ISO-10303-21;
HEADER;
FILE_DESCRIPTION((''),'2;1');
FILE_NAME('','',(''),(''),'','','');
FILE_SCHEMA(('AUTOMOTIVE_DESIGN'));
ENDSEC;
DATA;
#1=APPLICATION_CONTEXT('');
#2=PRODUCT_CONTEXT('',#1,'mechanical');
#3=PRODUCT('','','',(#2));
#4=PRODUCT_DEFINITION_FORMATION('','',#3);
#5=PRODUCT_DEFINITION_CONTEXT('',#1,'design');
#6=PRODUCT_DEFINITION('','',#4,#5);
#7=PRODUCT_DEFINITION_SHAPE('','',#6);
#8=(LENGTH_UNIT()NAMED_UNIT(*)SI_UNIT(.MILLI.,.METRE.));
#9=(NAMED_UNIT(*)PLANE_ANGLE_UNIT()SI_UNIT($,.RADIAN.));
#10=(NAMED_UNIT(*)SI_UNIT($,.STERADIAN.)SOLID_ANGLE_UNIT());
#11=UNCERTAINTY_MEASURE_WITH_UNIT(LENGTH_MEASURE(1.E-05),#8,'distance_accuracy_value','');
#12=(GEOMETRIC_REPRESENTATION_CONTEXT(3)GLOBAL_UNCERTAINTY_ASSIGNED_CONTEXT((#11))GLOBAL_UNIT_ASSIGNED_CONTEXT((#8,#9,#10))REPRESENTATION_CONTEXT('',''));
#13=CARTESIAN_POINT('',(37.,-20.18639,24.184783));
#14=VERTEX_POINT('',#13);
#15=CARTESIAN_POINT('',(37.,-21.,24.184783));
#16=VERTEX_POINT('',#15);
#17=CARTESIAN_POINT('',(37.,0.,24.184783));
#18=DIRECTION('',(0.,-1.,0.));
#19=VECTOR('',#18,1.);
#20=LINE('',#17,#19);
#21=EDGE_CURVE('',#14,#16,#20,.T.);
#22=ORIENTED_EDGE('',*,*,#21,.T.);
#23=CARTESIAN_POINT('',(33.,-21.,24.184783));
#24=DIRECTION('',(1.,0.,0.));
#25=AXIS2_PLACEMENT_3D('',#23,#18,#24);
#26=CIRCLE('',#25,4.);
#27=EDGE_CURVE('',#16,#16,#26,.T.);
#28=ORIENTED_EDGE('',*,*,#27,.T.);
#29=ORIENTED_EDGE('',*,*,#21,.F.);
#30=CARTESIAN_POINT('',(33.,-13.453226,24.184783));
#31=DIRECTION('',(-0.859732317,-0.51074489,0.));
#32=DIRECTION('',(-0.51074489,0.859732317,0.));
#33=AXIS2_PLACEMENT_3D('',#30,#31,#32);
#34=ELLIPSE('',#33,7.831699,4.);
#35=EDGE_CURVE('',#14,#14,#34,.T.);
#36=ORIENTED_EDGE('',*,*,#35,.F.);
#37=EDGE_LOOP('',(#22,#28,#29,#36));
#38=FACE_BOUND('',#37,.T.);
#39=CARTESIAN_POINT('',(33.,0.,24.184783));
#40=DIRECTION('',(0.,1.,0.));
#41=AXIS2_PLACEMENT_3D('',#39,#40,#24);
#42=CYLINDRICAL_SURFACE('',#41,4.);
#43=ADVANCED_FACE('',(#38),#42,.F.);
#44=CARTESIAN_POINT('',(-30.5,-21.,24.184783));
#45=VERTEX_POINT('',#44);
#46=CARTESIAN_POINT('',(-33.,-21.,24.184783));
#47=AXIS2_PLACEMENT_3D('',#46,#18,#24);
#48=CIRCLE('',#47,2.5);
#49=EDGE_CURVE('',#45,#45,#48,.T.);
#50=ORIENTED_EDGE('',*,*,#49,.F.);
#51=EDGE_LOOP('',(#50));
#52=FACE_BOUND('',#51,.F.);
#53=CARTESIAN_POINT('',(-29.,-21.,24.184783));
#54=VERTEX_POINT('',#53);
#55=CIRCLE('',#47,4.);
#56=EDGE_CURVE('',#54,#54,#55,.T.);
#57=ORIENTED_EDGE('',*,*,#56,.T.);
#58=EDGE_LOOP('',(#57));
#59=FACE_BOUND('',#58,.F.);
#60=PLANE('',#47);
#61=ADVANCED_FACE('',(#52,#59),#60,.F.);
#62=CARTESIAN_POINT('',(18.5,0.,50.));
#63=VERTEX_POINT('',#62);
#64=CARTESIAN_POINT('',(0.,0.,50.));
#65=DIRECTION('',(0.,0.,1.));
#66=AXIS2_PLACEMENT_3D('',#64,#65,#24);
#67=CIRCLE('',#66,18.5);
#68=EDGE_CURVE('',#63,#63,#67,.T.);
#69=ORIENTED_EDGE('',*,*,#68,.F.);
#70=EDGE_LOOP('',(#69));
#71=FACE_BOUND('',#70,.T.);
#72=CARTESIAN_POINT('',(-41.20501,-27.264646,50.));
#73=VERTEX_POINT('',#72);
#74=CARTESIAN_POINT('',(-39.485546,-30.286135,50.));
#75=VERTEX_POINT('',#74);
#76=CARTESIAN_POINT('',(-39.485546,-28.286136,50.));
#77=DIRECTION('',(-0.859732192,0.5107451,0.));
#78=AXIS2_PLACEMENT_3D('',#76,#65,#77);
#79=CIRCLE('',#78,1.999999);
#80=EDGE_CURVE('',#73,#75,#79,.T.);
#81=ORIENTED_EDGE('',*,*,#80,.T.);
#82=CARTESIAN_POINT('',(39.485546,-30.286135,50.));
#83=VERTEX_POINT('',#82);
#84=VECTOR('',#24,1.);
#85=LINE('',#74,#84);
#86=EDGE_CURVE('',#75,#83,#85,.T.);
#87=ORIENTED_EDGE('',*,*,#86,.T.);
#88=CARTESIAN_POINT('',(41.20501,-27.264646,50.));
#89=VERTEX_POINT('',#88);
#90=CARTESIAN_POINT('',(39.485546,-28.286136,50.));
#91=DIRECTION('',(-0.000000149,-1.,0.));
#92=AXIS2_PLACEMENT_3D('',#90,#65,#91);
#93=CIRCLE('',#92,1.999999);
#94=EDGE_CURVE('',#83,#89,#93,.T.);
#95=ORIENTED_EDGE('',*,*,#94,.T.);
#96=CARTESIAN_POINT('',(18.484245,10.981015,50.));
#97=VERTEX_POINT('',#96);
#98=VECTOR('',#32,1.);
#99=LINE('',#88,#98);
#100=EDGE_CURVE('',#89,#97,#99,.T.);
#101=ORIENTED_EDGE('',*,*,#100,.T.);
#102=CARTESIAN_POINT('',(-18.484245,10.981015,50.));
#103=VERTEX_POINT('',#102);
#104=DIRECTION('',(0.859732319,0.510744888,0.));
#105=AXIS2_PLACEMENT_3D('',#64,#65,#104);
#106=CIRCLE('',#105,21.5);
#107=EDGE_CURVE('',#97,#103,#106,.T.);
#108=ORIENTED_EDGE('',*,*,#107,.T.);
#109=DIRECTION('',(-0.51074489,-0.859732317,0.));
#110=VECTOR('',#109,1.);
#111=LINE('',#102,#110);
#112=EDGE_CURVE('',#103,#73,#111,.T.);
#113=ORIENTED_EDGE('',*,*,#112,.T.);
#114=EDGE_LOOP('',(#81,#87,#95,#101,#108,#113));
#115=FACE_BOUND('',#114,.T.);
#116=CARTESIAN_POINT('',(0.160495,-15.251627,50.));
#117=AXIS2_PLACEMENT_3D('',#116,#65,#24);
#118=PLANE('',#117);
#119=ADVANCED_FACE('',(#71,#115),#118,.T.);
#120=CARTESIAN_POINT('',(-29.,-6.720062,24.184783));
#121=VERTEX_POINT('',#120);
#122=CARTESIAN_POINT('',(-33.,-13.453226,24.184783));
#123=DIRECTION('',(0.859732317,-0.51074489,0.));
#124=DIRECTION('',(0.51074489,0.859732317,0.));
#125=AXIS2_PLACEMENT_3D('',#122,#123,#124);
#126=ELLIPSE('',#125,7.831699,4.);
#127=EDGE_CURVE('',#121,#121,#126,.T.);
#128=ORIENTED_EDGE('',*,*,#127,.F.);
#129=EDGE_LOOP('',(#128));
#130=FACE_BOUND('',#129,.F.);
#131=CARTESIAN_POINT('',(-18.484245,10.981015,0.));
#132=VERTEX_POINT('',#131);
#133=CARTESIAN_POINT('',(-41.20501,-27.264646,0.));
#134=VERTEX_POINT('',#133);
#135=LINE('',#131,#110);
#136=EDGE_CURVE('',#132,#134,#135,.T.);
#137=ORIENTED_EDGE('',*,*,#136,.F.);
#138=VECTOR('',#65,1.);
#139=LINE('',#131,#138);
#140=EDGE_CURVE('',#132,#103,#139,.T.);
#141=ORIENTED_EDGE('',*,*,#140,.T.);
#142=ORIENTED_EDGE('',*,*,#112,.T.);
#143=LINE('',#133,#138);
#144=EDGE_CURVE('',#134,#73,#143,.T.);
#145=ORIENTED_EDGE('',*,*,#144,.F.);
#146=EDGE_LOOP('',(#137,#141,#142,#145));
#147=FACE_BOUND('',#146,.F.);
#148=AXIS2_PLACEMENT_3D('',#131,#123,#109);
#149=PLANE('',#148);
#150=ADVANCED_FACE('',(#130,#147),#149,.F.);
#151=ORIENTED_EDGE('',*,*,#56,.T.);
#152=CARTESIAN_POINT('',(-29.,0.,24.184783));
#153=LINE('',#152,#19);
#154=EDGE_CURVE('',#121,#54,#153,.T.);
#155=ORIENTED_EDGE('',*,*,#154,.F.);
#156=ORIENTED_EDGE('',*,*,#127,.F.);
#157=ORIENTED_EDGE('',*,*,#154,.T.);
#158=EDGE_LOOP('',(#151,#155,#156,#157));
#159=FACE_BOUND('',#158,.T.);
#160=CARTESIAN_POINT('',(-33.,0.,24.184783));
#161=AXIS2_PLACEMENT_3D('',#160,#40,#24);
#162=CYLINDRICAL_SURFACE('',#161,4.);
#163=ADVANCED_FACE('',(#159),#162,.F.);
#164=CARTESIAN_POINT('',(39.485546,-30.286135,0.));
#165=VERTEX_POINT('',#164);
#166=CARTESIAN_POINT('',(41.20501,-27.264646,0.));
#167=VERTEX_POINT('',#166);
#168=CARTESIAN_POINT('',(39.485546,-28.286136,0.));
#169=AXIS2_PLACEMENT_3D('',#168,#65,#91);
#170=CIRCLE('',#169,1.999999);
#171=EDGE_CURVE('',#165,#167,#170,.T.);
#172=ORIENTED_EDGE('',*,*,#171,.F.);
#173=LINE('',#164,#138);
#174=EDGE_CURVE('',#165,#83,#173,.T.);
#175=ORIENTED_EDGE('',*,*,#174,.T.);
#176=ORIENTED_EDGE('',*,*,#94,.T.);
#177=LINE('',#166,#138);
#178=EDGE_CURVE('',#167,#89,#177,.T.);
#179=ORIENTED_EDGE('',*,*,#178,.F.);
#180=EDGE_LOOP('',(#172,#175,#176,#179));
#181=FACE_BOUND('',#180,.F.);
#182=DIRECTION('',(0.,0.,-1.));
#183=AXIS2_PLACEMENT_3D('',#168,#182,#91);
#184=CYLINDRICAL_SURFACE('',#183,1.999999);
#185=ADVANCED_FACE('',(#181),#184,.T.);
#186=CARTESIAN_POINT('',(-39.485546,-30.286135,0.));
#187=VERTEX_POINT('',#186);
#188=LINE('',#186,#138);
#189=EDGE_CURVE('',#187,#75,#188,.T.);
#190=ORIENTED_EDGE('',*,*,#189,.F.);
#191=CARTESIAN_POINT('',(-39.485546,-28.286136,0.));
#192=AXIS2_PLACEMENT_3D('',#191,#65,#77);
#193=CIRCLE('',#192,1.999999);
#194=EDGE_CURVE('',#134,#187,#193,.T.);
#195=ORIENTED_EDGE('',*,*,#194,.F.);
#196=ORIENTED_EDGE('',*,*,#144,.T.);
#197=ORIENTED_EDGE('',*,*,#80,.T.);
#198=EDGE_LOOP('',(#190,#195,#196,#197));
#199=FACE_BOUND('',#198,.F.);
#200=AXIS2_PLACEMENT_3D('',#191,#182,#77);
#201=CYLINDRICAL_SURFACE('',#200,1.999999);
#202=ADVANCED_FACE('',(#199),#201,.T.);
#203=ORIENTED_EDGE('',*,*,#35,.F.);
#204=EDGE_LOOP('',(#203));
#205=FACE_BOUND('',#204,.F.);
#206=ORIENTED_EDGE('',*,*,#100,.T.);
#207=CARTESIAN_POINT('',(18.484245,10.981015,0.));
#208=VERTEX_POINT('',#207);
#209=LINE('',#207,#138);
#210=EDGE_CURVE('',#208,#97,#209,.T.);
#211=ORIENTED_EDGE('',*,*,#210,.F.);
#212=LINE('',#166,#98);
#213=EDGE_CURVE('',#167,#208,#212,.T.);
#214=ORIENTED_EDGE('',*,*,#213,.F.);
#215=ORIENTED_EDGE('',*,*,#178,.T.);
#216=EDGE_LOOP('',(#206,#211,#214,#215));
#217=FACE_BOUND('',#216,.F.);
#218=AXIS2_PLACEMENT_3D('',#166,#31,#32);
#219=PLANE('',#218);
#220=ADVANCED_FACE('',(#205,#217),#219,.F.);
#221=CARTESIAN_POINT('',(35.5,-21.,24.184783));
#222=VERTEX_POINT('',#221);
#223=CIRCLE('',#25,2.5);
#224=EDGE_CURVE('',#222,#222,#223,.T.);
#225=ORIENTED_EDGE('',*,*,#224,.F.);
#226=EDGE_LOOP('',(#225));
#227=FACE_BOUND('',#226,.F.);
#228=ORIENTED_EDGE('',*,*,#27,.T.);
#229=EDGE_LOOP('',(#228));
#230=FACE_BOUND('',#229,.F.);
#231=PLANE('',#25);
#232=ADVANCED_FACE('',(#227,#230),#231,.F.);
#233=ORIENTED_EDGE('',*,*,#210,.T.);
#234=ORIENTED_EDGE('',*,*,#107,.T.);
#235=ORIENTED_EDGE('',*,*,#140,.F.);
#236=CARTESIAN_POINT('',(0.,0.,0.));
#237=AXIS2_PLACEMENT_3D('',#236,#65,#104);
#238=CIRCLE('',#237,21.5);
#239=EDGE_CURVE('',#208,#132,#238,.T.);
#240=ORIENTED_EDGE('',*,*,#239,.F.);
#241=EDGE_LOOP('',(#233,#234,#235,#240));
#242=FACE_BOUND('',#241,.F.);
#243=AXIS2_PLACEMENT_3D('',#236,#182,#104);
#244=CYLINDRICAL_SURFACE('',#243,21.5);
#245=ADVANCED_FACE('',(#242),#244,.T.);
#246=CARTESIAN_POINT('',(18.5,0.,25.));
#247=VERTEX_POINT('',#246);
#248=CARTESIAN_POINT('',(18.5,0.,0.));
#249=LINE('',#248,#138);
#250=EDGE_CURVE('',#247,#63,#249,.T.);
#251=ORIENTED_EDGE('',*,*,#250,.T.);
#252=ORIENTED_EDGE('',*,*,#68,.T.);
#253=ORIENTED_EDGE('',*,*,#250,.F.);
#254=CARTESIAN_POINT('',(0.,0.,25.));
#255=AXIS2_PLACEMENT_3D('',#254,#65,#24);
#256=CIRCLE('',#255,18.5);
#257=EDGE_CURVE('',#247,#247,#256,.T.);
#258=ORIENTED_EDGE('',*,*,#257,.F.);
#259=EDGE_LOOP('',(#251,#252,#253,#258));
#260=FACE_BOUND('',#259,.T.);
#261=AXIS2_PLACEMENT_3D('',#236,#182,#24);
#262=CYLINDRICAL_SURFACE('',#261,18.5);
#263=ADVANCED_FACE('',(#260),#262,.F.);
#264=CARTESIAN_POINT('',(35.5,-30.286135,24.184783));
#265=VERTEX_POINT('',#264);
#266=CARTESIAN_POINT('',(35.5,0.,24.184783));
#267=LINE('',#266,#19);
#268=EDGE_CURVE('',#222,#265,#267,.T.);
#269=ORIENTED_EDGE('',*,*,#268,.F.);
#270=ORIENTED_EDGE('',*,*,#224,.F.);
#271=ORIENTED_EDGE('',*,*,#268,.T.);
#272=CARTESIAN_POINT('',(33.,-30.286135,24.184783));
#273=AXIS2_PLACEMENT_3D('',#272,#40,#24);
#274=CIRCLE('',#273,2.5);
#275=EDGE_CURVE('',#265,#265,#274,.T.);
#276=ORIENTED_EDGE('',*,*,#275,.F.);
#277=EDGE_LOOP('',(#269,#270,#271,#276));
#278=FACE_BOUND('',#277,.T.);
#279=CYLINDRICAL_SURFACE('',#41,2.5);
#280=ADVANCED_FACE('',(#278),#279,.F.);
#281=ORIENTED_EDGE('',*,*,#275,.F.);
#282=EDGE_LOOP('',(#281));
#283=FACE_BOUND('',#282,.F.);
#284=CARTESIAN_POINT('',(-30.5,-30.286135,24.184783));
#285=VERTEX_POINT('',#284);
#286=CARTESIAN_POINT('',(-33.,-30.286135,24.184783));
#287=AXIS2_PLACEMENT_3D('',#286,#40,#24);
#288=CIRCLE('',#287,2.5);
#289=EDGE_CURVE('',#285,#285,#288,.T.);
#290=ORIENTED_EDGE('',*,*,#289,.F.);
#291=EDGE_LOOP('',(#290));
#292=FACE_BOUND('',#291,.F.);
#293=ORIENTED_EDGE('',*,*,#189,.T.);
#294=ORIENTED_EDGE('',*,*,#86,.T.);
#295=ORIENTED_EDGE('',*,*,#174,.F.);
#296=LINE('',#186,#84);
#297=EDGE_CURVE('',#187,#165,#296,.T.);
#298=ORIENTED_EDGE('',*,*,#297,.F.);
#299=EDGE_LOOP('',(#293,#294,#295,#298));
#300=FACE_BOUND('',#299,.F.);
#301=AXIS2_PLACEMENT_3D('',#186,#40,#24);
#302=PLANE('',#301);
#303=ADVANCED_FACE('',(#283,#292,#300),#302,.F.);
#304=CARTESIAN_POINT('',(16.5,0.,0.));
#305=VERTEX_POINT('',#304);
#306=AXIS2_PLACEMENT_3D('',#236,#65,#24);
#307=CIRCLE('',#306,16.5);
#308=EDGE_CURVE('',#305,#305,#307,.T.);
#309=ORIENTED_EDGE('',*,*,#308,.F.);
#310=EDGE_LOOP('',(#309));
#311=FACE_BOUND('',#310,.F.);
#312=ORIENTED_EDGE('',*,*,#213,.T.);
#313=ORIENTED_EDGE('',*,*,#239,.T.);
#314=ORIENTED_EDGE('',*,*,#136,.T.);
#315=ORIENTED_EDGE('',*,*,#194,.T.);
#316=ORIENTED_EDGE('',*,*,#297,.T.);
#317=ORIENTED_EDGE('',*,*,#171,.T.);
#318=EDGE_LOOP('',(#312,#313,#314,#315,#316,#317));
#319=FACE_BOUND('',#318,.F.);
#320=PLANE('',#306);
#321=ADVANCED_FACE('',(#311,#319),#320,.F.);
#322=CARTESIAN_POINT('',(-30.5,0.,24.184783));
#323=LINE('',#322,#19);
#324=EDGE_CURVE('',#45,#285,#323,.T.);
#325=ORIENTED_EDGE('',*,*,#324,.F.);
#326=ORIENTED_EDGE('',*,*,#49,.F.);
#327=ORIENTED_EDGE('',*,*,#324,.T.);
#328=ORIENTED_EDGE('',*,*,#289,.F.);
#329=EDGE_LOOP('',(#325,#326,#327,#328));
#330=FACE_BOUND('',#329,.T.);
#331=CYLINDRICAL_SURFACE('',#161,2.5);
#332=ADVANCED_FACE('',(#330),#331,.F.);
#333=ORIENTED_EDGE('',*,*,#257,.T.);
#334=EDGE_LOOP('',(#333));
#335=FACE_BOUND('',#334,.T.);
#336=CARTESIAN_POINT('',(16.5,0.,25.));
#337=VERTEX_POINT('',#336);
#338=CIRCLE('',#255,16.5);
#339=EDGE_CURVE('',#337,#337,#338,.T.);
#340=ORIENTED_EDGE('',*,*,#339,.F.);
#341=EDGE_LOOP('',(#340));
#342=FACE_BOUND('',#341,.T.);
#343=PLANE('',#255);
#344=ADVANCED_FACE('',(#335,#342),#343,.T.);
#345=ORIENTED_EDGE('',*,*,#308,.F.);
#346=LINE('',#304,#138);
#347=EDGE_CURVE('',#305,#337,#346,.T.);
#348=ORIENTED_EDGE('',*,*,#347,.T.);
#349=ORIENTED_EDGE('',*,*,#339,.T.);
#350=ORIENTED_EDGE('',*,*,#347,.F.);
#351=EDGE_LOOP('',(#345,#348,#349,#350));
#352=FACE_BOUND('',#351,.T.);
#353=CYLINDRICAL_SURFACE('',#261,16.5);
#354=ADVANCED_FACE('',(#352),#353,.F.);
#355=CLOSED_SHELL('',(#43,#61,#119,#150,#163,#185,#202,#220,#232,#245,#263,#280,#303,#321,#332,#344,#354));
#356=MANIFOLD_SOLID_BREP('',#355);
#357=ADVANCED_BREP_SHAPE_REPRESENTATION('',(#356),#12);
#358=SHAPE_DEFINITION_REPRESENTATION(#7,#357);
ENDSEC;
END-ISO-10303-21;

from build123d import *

# Parameters (mm, degrees)
F0_R     = 18.5
F1_DEPTH = 50
F0_R_2   = 16.5
F2_DEPTH = 25
F3_R     = 2.5
F4_DEPTH = 35
F3_R_2   = 4
F5_DEPTH = 21


with BuildPart() as f1:
    # F0 (on Top) → F1 (new body)
    with BuildSketch(Plane.XY):
        with BuildLine():
            ThreePointArc((18.484245, 10.981015), (20.732357, 5.693801), (21.5, 0))
            ThreePointArc((21.5, 0), (-5.693801, -20.732357), (-18.484245, 10.981015))
            Line((-18.484245, 10.981015), (-41.20501, -27.264646))
            ThreePointArc((-41.20501, -27.264646), (-41.223789, -29.275332), (-39.485546, -30.286135))
            Line((-39.485546, -30.286135), (0, -30.286135))
            Line((0, -30.286135), (39.485546, -30.286135))
            ThreePointArc((39.485546, -30.286135), (41.223789, -29.275332), (41.20501, -27.264646))
            Line((41.20501, -27.264646), (18.484245, 10.981015))
        make_face()
        with BuildLine():
            ThreePointArc((-18.484245, 10.981015), (-5.693801, -20.732357), (21.5, 0))
            ThreePointArc((21.5, 0), (20.732357, 5.693801), (18.484245, 10.981015))
            ThreePointArc((18.484245, 10.981015), (0, 21.5), (-18.484245, 10.981015))
        make_face()
        Circle(F0_R, mode=Mode.SUBTRACT)
    extrude(amount=F1_DEPTH)

    # F0 (on Top) → F2 (join)
    with BuildSketch(Plane.XY):
        Circle(F0_R)
        Circle(F0_R_2, mode=Mode.SUBTRACT)
    extrude(amount=F2_DEPTH)

    # F3 (on Front) → F4 (cut)
    with BuildSketch(Plane.XZ):
        with Locations((33, 24.184783)):
            Circle(F3_R)
        with Locations((-33, 24.184783)):
            Circle(F3_R)
    extrude(amount=F4_DEPTH, mode=Mode.SUBTRACT)

    # F3 (on Front) → F5 (cut)
    with BuildSketch(Plane.XZ):
        with Locations((33, 24.184783)):
            Circle(F3_R_2)
        with Locations((33, 24.184783)):
            Circle(F3_R, mode=Mode.SUBTRACT)
        with Locations((-33, 24.184783)):
            Circle(F3_R_2)
        with Locations((-33, 24.184783)):
            Circle(F3_R, mode=Mode.SUBTRACT)
    extrude(amount=F5_DEPTH, mode=Mode.SUBTRACT)


solid = f1.part
